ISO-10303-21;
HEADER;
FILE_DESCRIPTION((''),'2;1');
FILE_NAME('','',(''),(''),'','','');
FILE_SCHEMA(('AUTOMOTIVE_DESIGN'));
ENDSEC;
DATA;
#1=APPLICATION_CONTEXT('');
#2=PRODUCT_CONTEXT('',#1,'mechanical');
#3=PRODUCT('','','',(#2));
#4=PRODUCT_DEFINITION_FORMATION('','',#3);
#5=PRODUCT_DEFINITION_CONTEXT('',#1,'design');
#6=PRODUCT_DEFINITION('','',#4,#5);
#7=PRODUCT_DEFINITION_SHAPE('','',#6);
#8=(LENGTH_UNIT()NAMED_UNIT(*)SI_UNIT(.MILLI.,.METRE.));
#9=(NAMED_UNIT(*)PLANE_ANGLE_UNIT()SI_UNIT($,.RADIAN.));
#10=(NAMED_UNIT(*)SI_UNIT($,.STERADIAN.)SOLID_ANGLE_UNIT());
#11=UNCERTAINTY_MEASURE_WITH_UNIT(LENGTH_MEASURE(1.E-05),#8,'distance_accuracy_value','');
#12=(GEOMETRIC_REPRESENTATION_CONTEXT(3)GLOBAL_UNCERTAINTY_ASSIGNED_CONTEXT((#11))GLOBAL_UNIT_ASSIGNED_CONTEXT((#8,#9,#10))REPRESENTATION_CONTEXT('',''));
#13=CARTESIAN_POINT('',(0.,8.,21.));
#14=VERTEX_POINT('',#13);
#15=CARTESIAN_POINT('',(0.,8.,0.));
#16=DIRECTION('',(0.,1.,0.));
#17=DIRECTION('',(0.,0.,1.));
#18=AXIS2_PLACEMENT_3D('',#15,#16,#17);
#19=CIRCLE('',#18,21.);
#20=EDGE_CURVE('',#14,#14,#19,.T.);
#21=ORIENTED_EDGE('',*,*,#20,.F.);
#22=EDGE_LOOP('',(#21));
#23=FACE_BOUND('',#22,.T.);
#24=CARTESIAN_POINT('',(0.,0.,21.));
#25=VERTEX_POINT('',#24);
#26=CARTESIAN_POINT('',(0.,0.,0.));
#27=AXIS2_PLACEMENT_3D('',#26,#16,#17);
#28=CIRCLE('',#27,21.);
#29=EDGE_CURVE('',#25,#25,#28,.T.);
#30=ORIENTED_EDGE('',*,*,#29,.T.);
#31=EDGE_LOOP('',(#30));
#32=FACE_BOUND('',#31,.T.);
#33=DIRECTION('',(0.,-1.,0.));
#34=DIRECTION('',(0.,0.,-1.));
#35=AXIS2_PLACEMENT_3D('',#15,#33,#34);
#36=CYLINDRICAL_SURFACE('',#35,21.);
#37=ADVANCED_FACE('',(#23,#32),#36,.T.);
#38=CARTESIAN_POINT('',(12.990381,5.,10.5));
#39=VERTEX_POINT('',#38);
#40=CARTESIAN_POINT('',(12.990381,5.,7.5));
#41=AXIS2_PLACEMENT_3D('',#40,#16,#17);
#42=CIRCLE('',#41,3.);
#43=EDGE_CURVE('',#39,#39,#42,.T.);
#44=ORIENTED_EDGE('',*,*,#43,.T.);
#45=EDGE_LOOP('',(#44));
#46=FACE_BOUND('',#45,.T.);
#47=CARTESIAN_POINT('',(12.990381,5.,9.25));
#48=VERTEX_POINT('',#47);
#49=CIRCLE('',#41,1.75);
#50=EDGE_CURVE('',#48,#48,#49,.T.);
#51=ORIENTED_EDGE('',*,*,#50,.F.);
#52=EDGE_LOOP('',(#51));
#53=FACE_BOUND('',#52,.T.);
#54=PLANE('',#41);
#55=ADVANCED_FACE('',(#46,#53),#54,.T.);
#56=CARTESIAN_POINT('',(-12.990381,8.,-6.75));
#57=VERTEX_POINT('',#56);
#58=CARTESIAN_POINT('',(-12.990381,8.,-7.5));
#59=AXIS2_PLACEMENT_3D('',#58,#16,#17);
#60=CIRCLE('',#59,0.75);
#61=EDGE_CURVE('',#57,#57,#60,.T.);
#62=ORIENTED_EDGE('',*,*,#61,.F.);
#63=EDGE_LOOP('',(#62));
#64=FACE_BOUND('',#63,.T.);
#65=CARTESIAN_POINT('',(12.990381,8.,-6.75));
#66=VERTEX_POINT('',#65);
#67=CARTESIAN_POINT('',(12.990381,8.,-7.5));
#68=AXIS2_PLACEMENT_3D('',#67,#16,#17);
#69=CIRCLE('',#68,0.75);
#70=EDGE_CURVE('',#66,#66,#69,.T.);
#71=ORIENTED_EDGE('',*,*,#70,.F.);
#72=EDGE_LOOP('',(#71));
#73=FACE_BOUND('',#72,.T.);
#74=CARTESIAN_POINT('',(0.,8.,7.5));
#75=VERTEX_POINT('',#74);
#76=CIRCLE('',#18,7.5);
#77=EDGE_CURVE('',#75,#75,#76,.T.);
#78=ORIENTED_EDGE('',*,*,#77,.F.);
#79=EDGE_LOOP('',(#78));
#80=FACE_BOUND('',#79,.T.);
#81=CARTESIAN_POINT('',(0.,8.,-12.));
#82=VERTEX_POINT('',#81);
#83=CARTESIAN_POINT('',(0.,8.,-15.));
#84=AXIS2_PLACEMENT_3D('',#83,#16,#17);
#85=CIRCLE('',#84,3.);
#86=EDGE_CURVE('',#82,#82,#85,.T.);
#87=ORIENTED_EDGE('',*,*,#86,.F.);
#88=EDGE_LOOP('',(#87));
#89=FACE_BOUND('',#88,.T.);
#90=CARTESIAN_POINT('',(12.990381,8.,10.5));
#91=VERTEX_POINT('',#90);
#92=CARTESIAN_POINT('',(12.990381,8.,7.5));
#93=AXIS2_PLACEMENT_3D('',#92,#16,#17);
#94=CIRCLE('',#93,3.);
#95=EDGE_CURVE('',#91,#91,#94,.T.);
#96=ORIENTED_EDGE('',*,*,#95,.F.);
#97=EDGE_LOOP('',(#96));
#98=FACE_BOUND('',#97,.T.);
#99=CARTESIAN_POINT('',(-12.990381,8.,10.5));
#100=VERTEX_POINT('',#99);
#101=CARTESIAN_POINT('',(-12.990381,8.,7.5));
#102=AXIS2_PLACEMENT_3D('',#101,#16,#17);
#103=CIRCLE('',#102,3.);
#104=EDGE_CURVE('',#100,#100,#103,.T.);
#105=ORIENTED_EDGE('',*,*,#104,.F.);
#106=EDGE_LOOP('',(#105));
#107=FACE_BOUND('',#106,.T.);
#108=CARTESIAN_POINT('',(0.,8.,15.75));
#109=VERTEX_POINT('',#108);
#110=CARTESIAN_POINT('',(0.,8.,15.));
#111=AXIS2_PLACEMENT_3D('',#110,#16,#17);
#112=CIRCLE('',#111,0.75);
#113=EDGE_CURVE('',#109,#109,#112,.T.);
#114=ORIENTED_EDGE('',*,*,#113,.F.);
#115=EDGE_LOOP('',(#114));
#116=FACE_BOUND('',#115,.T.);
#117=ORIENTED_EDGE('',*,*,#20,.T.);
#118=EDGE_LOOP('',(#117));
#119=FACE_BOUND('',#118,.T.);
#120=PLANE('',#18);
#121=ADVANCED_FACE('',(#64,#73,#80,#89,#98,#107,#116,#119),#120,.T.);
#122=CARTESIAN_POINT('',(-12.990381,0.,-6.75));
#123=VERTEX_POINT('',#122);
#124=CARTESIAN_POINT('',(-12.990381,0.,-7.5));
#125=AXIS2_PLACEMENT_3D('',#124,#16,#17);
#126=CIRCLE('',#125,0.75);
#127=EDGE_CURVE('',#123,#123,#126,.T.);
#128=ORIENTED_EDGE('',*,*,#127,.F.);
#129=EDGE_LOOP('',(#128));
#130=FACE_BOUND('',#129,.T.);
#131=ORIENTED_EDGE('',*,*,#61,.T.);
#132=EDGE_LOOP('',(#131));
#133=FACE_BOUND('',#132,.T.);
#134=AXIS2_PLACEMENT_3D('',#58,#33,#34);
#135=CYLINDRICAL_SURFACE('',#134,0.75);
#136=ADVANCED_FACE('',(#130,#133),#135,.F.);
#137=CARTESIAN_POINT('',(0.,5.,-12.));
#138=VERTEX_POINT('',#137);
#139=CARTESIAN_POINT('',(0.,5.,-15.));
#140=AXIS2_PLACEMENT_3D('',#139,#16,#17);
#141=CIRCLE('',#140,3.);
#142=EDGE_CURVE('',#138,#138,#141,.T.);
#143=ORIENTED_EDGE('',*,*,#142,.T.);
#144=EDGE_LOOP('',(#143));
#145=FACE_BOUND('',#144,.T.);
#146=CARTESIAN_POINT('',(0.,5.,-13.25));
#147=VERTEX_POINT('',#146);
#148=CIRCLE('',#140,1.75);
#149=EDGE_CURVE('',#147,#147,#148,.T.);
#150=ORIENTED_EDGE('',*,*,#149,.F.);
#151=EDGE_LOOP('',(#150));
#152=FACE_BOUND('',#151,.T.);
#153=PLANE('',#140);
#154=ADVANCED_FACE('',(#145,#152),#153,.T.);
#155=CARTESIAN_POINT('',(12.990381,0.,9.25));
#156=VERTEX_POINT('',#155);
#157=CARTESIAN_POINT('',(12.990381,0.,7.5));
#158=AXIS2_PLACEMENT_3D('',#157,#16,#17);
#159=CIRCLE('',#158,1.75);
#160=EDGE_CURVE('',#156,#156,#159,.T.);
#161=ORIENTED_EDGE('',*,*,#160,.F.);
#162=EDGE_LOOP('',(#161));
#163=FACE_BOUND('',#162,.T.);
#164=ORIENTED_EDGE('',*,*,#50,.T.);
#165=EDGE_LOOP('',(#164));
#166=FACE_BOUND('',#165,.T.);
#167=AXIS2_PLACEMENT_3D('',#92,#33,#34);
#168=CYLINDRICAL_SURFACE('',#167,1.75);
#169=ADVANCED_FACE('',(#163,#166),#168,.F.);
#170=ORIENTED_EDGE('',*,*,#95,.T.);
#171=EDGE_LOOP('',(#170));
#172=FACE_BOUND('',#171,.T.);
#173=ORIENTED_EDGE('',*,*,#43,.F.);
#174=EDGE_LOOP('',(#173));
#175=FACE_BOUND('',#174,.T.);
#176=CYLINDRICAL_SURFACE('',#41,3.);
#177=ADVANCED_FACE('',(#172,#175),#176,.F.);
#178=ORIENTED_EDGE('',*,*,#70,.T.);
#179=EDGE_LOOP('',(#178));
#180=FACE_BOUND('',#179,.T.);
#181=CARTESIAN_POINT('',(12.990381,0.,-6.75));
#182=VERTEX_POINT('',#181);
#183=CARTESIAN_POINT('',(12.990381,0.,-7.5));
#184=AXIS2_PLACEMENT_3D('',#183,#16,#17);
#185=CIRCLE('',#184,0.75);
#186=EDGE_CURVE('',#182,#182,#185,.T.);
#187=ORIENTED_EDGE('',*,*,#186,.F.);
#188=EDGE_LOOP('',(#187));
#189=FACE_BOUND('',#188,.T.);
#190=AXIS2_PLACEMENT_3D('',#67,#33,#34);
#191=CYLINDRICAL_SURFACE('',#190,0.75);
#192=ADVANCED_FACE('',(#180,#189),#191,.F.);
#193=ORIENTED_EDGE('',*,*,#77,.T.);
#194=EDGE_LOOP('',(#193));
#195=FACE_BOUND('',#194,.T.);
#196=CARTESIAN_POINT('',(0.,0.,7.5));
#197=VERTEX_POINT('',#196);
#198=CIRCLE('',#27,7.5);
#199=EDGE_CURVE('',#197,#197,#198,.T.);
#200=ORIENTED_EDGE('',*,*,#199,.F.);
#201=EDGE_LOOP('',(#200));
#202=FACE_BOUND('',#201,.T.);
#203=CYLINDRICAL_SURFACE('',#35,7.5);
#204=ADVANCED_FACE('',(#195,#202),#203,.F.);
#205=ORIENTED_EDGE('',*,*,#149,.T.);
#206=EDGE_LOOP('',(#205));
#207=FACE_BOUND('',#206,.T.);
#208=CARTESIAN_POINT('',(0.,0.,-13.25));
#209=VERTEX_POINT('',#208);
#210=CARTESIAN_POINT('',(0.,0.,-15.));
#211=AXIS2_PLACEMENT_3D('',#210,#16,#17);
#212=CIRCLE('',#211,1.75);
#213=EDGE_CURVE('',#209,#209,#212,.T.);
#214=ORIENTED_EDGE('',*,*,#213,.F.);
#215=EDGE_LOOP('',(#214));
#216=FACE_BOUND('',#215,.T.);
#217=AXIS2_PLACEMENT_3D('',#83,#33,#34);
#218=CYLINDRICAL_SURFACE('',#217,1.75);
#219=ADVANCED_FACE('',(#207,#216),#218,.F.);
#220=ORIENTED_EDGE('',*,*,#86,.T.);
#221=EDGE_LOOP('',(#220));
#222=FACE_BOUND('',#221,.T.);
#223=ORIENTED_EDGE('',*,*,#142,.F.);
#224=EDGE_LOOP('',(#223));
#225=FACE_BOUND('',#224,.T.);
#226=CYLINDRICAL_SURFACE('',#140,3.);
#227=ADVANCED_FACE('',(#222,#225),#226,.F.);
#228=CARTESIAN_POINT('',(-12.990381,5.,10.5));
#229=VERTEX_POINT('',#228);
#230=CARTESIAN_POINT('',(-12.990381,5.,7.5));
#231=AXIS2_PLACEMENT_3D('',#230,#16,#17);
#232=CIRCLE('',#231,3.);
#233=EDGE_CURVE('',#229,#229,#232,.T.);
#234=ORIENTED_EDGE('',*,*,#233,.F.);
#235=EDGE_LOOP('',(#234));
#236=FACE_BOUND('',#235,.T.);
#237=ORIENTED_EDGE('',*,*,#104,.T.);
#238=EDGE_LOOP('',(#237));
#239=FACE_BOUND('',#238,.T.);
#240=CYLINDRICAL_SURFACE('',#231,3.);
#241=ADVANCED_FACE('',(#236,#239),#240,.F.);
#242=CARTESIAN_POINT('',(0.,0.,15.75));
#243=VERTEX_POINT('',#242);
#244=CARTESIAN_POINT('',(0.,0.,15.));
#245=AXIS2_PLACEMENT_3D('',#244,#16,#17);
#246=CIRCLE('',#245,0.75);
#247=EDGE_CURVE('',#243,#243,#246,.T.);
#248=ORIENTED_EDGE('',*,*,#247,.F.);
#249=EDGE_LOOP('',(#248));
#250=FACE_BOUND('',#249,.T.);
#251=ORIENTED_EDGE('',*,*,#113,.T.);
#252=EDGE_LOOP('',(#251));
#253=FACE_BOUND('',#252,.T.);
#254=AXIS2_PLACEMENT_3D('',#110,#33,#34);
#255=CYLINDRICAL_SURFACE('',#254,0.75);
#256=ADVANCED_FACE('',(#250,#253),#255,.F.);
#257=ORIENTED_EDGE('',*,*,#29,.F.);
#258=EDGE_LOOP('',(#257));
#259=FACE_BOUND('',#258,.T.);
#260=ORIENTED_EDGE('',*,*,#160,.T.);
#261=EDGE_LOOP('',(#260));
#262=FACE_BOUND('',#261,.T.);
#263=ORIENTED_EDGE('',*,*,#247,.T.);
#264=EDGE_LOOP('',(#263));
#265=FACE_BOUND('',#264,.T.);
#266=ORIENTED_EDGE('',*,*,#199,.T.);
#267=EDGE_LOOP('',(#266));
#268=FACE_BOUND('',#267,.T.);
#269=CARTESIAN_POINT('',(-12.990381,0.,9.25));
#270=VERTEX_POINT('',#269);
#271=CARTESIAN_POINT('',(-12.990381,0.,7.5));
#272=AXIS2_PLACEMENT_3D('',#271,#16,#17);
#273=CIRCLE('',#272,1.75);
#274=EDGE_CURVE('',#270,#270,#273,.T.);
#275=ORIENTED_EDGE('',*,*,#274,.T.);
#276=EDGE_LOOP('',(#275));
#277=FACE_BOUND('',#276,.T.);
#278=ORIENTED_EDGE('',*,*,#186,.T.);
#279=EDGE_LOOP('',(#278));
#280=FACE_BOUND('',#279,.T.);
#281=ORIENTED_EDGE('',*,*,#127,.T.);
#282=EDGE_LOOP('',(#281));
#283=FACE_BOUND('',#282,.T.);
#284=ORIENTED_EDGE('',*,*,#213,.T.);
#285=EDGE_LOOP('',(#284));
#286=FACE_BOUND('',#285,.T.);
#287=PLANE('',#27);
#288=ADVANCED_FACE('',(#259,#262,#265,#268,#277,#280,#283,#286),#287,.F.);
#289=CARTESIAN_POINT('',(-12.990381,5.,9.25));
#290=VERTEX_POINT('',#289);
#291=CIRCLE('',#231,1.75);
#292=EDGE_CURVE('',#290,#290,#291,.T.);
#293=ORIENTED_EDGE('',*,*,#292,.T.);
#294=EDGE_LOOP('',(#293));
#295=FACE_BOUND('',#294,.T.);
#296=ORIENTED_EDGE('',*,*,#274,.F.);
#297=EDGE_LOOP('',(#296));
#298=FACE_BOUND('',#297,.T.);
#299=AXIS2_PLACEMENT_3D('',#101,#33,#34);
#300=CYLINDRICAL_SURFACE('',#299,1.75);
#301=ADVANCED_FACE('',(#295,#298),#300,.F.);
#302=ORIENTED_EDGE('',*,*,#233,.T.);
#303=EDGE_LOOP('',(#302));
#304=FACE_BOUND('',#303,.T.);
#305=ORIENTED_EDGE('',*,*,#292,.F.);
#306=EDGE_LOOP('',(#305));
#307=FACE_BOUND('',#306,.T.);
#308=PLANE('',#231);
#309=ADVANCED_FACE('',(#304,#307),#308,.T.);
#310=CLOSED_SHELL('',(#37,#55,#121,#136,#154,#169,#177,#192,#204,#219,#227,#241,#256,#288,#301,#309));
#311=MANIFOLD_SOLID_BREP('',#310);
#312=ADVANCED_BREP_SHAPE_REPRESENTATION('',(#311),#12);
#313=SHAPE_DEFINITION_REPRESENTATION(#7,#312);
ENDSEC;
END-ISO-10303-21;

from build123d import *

# Parameters (mm, degrees)
SKETCH1_R           = 21
SKETCH1_R_2         = 1.75
SKETCH1_R_3         = 0.75
SKETCH1_R_4         = 7.5
BOSS_EXTRUDE1_DEPTH = 8
SKETCH2_R           = 3
CUT_EXTRUDE1_DEPTH  = 3


with BuildPart() as part:
    # Sketch1 → Boss-Extrude1 (new body)
    with BuildSketch(Plane(origin=(0, 0, 0), x_dir=(1, 0, 0), z_dir=(0, 1, 0))):
        with Locations(Location((0, 0, 0), (0, 0, 270))):
            Circle(SKETCH1_R)
        with Locations(Location((0, 15, 0), (0, 0, 270))):
            Circle(SKETCH1_R_2, mode=Mode.SUBTRACT)
        with Locations(Location((0, -15, 0), (0, 0, 270))):
            Circle(SKETCH1_R_3, mode=Mode.SUBTRACT)
        with Locations(Location((12.990381057, -7.5, 0), (0, 0, 270))):
            Circle(SKETCH1_R_2, mode=Mode.SUBTRACT)
        with Locations(Location((-12.990381057, -7.5, 0), (0, 0, 270))):
            Circle(SKETCH1_R_2, mode=Mode.SUBTRACT)
        with Locations(Location((-12.990381057, 7.5, 0), (0, 0, 270))):
            Circle(SKETCH1_R_3, mode=Mode.SUBTRACT)
        with Locations(Location((12.990381057, 7.5, 0), (0, 0, 270))):
            Circle(SKETCH1_R_3, mode=Mode.SUBTRACT)
        with Locations(Location((0, 0, 0), (0, 0, 270))):
            Circle(SKETCH1_R_4, mode=Mode.SUBTRACT)
    extrude(amount=BOSS_EXTRUDE1_DEPTH)

    # Sketch2 → Cut-Extrude1 (cut)
    with BuildSketch(Plane(origin=(0, 8, 0), x_dir=(1, 0, 0), z_dir=(0, 1, 0))):
        with Locations(Location((0, 15, 0), (0, 0, 270))):
            Circle(SKETCH2_R)
        with Locations(Location((12.990381057, -7.5, 0), (0, 0, 270))):
            Circle(SKETCH2_R)
        with Locations(Location((-12.990381057, -7.5, 0), (0, 0, 270))):
            Circle(SKETCH2_R)
    extrude(amount=-CUT_EXTRUDE1_DEPTH, mode=Mode.SUBTRACT)


solid = part.part
